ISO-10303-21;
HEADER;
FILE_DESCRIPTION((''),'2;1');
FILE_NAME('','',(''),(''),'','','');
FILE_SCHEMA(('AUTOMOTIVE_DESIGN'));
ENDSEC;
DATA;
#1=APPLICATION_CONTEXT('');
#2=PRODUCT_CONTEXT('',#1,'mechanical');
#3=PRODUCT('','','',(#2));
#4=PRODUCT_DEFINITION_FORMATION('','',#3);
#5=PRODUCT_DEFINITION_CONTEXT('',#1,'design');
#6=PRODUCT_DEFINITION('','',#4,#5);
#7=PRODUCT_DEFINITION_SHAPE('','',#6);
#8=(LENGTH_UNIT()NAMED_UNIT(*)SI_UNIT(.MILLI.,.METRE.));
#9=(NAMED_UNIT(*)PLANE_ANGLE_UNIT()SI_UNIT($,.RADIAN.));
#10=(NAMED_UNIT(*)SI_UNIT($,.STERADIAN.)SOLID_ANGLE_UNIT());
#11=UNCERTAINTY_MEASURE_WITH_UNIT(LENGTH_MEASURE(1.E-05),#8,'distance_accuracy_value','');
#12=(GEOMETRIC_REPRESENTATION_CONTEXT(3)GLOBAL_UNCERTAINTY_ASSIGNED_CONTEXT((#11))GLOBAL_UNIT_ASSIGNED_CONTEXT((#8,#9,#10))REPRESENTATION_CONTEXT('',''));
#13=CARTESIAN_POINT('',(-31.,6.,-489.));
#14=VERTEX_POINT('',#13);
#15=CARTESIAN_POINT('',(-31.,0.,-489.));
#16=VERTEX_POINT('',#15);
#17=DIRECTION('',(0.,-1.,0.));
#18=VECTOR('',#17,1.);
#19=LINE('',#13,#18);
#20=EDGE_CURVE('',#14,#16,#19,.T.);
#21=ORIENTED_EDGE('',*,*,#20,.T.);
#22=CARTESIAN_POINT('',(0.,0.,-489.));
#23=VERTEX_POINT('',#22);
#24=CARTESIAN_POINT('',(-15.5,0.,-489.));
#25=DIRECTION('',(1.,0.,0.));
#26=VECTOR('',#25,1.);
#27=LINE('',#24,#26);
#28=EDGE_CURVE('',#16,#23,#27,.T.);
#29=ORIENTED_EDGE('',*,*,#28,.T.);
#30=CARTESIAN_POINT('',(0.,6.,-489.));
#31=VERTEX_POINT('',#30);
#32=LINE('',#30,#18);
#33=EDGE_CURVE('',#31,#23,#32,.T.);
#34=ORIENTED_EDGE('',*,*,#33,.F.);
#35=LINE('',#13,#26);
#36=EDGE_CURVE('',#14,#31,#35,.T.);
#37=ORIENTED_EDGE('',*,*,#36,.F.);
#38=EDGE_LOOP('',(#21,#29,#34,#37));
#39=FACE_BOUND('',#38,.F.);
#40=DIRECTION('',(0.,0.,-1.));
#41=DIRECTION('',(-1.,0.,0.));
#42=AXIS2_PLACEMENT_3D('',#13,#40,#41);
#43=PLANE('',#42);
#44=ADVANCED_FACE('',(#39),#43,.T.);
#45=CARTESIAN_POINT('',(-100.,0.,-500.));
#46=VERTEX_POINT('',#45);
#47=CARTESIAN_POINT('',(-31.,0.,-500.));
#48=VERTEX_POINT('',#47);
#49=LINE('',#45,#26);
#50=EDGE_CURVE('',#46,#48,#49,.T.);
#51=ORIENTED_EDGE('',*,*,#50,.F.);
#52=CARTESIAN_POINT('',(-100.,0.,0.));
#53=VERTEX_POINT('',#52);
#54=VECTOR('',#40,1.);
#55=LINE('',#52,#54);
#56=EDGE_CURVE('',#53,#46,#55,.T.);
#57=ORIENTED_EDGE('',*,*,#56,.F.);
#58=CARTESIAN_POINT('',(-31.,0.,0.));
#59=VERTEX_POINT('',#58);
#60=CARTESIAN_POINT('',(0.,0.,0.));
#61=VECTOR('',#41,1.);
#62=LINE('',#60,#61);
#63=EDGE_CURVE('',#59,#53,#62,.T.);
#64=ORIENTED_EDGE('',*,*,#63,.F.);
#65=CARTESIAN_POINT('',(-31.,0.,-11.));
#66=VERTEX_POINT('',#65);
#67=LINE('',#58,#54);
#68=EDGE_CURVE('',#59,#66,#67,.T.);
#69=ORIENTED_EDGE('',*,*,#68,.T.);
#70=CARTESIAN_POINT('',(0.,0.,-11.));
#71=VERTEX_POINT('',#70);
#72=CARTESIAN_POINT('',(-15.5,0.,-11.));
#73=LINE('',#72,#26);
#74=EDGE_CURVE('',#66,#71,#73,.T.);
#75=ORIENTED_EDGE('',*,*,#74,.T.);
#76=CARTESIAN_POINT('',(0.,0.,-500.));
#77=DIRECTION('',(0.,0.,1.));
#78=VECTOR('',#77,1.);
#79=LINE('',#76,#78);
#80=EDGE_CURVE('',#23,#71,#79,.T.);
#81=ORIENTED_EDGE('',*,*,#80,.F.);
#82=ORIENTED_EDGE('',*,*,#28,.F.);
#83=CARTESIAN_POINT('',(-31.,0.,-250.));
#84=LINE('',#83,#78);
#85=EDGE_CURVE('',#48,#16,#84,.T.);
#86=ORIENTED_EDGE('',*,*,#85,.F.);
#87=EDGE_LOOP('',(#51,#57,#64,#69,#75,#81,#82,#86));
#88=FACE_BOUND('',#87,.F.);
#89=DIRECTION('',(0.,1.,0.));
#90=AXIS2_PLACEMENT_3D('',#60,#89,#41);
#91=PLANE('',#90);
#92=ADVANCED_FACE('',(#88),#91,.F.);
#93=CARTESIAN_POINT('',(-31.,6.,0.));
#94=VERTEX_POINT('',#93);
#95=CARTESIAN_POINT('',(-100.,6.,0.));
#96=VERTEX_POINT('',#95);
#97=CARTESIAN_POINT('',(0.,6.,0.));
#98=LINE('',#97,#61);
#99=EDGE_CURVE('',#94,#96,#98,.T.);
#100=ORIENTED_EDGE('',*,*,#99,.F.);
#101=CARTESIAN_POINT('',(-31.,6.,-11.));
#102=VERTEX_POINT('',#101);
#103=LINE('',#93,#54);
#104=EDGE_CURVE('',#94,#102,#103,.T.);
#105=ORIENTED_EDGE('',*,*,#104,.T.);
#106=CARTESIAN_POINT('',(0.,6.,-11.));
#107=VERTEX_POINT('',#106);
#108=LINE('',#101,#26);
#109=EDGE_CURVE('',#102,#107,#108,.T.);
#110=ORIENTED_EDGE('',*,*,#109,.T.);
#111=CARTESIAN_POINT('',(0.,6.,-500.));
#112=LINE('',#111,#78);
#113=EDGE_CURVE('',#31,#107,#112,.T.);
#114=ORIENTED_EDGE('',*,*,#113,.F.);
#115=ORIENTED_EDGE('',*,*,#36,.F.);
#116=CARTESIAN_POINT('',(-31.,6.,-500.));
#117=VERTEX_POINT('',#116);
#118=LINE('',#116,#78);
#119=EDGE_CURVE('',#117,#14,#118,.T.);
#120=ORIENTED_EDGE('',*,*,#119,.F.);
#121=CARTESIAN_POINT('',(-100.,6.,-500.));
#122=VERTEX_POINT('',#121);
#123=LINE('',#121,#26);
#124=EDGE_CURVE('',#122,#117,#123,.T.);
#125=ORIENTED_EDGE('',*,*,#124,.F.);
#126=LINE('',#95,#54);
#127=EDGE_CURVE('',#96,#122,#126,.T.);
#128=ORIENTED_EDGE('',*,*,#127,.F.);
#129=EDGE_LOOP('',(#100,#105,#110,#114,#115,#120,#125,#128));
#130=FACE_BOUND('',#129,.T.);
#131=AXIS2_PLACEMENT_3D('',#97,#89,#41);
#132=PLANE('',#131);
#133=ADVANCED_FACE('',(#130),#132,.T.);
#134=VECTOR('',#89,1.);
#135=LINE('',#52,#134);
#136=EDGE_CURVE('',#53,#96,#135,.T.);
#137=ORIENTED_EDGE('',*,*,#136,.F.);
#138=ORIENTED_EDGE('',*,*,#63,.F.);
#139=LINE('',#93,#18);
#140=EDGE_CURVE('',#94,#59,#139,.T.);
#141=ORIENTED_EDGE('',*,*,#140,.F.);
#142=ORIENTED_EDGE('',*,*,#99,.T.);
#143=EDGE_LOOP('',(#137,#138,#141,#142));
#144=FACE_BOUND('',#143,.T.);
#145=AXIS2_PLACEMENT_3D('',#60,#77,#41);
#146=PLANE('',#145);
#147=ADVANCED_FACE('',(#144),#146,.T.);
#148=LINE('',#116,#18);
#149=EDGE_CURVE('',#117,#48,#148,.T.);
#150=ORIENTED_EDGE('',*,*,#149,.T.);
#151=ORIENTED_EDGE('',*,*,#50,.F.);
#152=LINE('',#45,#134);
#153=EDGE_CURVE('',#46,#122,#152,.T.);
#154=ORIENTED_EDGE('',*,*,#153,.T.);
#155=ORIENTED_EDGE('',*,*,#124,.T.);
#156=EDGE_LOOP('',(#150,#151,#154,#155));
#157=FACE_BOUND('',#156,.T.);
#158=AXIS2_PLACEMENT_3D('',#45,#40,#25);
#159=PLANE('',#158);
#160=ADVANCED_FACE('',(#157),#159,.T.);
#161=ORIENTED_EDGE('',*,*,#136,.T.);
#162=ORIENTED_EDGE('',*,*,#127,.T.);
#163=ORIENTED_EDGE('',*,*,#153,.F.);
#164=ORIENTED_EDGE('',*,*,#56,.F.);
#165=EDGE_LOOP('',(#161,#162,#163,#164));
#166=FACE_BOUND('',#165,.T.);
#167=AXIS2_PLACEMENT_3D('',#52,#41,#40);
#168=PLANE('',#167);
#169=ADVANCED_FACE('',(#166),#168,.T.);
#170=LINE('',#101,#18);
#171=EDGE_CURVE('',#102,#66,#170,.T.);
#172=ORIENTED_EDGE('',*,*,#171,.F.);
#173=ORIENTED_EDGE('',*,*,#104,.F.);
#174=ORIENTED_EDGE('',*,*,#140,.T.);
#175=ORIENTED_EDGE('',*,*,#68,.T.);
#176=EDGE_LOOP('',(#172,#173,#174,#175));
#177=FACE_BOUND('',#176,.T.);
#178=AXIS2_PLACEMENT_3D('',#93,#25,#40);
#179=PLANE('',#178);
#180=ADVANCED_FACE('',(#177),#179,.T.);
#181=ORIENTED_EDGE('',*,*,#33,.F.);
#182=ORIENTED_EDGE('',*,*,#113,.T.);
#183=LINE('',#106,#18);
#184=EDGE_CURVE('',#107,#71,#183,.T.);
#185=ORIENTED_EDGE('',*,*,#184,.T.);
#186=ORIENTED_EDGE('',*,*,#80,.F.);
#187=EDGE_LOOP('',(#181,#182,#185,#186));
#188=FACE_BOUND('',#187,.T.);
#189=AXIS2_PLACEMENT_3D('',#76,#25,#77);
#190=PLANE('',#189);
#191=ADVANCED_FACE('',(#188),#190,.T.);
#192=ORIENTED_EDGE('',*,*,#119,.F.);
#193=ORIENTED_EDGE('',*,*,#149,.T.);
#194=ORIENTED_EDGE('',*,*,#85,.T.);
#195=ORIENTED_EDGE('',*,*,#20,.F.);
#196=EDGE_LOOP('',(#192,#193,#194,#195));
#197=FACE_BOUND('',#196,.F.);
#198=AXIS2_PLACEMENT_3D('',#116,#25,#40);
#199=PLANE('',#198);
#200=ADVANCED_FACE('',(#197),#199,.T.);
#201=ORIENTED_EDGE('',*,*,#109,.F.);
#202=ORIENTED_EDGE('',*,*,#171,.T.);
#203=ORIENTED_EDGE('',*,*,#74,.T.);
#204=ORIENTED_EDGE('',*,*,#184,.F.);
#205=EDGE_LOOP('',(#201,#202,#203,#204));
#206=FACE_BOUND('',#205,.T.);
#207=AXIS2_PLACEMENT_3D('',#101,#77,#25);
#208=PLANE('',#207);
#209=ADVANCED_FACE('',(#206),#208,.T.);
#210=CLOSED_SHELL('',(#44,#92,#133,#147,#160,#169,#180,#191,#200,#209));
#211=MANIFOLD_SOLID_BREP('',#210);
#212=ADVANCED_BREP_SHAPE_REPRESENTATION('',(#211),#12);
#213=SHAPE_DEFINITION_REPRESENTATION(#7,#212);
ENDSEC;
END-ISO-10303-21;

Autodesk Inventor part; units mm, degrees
ref_plane "YZ Plane" through (0, 0, 0) normal (1, 0, 0) x (0, 1, 0)
ref_plane "XZ Plane" through (0, 0, 0) normal (0, 1, 0) x (-1, 0, 0)
sketch "Sketch1" plane through (0, 0, 0) normal (0, 1, 0) x (-1, 0, 0)
  line L0 (0, 0) -> (100, 0)
  line L1 (100, 0) -> (100, -500)
  line L2 (100, -500) -> (0, -500)
  line L3 (0, -500) -> (0, 0)
  dimension "d0" = 500
  dimension "d1" = 100
extrude "Extrusion1" add sketch "Sketch1" along normal blind 6
sketch "Sketch2" plane through (0, 6, 0) normal (0, 1, 0) x (1, 0, 0)
  circle A0 centre (-10, 5) radius 1.475
  line L0 (-100, 0) -> (0, 0) projected
  line L1 (0, 0) -> (0, 500) projected
  dimension "d4" = 2.95
  dimension "d5" = 5
  dimension "d6" = 10
extrude "Extrusion2" cut sketch "Sketch2" against normal blind 10
pattern_linear "Rectangular Pattern1" count 3 spacing 6 along (-1, 0, 0) of "Extrusion2"
ref_plane "Work Plane1" through (-100, 0, -250) normal (0, 0, 1) x (1, 0, 0)
sketch "Sketch3" plane through (0, 6, 0) normal (0, 1, 0) x (1, 0, 0)
  line L0 (-100, 0) -> (0, 0) projected
  line L1 (0, 0) -> (-31, 0)
  line L2 (-31, 0) -> (-31, 11)
  line L3 (-31, 11) -> (0, 11)
  line L4 (0, 11) -> (0, 0)
  dimension "d12" = 11
  dimension "d13" = 31
extrude "Extrusion3" cut sketch "Sketch3" against normal blind 10
mirror "Mirror1" about plane through (-100, 0, -250) normal (0, 0, 1) of "Extrusion2", "Rectangular Pattern1", "Extrusion3"
sketch "Sketch4" plane through (0, 6, 0) normal (0, 1, 0) x (1, 0, 0)
  line L0 (0, 489) -> (-31, 489) projected
  line L1 (-31, 489) -> (-31, 500) projected
  line L2 (-31, 500) -> (-100, 500) projected
  line L3 (-100, 500) -> (-100, 0) projected
  line L4 (-100, 0) -> (-31, 0) projected
  line L5 (-31, 0) -> (-31, 11) projected
  line L6 (-31, 11) -> (0, 11) projected
  line L7 (0, 11) -> (0, 489) projected
  point P0 (0, 0)
properties part number "Bending_plate_p2"
